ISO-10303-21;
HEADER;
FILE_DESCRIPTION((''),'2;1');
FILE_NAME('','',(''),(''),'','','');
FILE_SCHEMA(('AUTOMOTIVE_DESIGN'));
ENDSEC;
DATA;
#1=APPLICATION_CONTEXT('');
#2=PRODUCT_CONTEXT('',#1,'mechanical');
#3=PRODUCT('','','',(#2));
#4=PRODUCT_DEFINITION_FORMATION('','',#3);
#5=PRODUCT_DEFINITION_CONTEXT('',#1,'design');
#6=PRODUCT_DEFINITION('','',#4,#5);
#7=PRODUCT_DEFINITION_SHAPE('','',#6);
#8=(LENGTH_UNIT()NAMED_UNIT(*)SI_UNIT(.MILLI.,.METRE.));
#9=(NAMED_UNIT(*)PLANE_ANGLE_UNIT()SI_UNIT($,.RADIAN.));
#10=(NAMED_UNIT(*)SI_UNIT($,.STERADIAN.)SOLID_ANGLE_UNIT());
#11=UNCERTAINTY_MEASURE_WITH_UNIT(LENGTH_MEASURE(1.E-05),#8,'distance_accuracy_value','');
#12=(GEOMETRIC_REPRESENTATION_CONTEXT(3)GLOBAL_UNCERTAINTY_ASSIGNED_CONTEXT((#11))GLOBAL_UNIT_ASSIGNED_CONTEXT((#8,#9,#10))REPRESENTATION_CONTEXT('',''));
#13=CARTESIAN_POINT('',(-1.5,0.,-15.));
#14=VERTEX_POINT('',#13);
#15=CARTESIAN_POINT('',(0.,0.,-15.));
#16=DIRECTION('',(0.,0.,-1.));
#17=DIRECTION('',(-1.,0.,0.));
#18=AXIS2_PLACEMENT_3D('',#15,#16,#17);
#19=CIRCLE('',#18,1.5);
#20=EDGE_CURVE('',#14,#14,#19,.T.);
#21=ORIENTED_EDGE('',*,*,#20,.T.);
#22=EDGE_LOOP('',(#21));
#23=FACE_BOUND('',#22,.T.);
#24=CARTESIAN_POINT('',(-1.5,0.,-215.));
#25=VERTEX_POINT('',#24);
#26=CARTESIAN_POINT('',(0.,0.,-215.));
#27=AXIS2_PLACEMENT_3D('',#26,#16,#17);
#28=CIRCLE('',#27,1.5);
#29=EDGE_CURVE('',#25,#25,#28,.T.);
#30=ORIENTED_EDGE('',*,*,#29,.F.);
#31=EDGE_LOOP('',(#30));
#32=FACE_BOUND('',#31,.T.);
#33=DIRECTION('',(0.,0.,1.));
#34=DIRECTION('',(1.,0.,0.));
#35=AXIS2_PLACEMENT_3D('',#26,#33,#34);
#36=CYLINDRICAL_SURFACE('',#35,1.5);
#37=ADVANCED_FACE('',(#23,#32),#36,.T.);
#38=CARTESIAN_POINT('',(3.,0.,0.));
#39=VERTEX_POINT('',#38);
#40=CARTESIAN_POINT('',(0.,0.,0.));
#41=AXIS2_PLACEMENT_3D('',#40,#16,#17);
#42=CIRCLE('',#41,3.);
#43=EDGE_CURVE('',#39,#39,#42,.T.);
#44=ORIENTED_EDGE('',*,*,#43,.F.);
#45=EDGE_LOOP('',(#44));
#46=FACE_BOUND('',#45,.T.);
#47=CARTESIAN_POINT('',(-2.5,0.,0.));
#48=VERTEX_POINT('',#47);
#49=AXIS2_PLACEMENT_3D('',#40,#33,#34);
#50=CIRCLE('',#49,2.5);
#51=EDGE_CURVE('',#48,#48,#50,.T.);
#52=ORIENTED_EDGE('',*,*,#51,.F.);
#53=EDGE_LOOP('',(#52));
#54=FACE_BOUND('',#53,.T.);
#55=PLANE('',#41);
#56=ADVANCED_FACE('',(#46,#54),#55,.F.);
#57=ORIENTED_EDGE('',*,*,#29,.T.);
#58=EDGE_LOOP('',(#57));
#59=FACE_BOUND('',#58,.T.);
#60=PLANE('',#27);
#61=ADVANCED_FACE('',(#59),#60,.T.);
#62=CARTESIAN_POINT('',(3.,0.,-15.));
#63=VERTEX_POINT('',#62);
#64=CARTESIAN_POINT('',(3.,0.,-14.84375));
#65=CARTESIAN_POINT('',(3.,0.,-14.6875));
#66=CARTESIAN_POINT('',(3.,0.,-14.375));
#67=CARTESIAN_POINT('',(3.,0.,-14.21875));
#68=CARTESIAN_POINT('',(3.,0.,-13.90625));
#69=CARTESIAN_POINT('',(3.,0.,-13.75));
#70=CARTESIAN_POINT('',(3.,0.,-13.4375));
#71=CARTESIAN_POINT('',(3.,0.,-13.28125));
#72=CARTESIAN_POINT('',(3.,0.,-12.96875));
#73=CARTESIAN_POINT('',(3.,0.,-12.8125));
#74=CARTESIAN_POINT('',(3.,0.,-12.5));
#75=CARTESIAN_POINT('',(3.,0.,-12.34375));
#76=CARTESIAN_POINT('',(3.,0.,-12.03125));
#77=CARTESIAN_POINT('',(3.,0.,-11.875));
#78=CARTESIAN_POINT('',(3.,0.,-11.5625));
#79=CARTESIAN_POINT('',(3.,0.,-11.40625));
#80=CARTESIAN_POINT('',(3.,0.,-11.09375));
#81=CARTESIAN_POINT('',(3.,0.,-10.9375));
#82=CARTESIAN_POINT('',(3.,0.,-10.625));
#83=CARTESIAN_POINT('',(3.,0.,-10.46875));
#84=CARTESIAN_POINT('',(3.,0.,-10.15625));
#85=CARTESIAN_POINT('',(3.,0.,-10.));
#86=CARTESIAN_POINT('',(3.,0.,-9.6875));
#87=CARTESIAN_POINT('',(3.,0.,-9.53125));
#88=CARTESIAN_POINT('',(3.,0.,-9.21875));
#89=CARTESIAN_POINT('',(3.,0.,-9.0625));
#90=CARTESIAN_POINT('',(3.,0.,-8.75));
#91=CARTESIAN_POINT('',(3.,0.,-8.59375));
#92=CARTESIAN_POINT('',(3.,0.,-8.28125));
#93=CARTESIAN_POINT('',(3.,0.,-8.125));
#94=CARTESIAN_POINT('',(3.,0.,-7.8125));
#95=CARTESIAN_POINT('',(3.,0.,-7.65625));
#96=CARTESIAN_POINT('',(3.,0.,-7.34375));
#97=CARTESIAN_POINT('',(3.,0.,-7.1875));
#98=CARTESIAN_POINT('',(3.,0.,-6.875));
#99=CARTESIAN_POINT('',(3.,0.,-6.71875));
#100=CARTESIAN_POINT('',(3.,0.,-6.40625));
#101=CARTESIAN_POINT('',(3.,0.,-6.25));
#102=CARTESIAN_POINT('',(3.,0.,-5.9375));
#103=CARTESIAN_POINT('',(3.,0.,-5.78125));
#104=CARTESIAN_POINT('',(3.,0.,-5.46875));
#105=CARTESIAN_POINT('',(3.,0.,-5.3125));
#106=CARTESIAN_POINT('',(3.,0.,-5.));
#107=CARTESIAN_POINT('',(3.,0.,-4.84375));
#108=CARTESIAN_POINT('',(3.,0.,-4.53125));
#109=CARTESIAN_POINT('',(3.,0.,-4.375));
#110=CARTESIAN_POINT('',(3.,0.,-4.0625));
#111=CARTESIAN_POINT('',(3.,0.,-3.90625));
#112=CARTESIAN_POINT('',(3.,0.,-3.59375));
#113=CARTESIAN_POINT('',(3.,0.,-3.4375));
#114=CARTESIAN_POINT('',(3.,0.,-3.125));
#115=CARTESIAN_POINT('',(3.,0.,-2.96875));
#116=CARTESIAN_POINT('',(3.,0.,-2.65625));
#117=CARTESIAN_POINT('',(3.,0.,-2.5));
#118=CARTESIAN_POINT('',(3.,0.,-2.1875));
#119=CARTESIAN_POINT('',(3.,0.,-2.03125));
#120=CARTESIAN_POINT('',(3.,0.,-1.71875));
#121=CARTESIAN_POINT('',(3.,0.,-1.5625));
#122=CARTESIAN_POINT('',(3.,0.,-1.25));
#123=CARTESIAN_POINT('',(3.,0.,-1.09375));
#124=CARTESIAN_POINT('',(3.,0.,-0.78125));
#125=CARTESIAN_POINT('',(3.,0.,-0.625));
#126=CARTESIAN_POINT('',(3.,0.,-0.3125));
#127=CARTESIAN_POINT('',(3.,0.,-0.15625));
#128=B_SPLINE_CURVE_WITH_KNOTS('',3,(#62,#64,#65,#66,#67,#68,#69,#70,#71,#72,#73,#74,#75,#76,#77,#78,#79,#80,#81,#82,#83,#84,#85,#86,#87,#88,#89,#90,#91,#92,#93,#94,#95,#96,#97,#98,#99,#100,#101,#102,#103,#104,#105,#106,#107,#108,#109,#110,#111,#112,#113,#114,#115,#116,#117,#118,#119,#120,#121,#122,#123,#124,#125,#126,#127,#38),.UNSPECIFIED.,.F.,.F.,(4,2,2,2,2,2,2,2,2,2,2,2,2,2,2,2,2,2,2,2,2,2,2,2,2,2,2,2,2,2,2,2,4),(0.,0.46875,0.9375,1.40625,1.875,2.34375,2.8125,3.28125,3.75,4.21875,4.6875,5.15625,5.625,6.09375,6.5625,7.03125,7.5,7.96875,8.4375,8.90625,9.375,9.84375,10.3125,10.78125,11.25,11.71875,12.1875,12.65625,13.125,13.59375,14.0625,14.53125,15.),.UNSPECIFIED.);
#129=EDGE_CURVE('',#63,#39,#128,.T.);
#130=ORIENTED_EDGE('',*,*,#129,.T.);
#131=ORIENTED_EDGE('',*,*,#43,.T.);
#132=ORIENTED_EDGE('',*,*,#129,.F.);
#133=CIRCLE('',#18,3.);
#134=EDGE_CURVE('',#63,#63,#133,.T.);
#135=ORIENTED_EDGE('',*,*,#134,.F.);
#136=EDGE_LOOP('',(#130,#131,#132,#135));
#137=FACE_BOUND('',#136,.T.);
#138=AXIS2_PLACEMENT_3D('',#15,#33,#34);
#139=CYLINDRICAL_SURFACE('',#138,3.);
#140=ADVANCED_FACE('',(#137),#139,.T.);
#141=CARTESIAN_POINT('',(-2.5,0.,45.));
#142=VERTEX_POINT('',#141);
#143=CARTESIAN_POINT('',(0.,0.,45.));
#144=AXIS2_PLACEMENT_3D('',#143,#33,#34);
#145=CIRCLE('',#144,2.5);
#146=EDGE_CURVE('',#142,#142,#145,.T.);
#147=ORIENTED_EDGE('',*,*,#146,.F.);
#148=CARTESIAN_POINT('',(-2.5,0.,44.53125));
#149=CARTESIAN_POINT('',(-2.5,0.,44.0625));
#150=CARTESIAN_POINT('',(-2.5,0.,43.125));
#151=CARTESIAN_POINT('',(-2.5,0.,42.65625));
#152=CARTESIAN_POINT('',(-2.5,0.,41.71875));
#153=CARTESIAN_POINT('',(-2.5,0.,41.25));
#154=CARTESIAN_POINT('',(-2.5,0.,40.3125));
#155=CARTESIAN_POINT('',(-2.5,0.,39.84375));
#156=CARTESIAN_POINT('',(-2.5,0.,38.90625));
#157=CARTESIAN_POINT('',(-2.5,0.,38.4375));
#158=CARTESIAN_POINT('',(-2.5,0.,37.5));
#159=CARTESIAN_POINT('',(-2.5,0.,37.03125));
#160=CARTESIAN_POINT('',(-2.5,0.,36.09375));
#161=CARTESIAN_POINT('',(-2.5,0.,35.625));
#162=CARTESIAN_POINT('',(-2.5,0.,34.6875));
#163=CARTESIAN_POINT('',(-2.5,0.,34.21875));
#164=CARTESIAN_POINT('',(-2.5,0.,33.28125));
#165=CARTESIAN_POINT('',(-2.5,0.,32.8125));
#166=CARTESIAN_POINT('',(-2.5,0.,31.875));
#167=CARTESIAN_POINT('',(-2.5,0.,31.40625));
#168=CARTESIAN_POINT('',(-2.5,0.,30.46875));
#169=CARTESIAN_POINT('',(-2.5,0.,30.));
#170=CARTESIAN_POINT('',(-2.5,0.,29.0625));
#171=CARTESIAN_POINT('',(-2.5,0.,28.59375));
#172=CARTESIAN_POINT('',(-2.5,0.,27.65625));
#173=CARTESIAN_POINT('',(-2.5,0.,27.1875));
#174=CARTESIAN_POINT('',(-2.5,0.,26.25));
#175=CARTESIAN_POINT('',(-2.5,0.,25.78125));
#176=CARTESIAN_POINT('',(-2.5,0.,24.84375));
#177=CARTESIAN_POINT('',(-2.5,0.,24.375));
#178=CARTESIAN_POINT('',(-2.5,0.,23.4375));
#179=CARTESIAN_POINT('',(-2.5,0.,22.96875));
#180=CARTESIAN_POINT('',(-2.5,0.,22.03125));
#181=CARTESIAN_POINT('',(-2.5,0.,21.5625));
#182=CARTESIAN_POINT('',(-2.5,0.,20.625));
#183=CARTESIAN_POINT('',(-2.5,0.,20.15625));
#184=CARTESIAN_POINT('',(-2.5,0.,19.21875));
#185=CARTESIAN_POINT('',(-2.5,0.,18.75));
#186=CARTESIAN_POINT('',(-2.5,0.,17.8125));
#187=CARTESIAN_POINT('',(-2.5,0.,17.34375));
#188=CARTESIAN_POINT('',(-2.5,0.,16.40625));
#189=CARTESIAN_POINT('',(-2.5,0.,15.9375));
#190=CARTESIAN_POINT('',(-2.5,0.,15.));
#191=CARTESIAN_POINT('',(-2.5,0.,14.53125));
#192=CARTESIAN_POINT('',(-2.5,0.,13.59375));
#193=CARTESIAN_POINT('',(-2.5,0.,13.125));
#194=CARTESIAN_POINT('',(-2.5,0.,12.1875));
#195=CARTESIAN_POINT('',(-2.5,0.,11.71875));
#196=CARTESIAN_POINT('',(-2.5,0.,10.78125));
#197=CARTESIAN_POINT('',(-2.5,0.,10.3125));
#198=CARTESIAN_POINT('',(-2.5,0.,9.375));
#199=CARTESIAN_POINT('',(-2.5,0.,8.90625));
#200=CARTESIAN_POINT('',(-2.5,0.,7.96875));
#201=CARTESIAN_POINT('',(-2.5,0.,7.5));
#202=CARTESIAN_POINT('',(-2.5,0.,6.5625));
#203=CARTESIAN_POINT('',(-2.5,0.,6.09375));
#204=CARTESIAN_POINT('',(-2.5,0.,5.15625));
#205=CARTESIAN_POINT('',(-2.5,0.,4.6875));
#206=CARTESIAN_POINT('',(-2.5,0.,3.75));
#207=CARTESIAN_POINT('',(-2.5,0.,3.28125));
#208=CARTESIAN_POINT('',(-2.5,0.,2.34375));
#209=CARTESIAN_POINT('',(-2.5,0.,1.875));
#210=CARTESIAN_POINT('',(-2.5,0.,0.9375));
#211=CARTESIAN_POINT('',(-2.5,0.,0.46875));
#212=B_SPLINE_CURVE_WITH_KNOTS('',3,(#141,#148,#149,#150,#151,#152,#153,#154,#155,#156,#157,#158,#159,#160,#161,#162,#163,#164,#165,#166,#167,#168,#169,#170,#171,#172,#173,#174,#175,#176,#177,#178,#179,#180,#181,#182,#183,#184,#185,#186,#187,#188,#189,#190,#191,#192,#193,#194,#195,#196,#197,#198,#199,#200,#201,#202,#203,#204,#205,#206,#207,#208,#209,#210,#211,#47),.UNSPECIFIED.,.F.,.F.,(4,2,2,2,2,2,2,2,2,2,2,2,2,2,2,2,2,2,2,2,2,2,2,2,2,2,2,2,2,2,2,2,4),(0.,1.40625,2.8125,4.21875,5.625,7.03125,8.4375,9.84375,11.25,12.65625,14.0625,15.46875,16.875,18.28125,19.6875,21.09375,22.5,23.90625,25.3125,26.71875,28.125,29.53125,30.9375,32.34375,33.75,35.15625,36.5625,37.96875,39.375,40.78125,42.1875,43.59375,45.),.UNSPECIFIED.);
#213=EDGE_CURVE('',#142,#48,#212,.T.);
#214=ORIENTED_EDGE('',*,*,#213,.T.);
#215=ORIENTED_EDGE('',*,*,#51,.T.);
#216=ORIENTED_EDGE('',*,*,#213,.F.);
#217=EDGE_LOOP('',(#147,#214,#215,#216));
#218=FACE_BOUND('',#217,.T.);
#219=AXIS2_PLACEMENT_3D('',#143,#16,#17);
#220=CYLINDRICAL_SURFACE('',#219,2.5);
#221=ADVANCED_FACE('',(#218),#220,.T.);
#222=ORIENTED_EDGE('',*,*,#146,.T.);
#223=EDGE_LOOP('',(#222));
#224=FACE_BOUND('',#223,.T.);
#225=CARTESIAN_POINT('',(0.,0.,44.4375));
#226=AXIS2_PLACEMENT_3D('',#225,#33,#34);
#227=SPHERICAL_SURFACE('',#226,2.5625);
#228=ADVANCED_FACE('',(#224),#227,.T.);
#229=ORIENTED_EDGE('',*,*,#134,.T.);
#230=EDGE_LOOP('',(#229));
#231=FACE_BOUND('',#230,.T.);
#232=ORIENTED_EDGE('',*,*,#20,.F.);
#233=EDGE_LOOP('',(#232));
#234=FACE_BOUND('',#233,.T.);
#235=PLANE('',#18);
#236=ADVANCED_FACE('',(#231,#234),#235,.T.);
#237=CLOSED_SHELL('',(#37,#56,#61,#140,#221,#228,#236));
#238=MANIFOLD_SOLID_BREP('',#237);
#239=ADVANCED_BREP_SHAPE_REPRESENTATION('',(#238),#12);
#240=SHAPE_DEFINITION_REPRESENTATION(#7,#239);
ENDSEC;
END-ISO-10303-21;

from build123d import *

# Parameters (mm, degrees)
ESQUISSE1_R        = 2.5
BOSS_EXTRU_1_DEPTH = 45
D_ME1_FACE_RADIUS  = 2.5
D_ME1_HEIGHT       = 2
ESQUISSE2_R        = 3
BOSS_EXTRU_2_DEPTH = 15
ESQUISSE3_R        = 1.5
BOSS_EXTRU_3_DEPTH = 200


with BuildPart() as part:
    # Esquisse1 → Boss.-Extru.1 (new body)
    with BuildSketch(Plane.XY):
        with Locations(Location((0, 0, 0), (0, 0, 180))):
            Circle(ESQUISSE1_R)
    extrude(amount=BOSS_EXTRU_1_DEPTH)

    # Dôme1: a dome of height H over a round flat face of radius A is a cap of a sphere of radius (A * A + H * H) / (2 * H)
    d_me1_r = (D_ME1_FACE_RADIUS * D_ME1_FACE_RADIUS + D_ME1_HEIGHT * D_ME1_HEIGHT) / (2 * D_ME1_HEIGHT)
    d_me1_base = Plane((0, 0, 45), z_dir=(0, 0, 1))
    with Locations(d_me1_base.offset(D_ME1_HEIGHT - d_me1_r)):
        d_me1_ball = Sphere(d_me1_r, mode=Mode.PRIVATE)
    add(split(d_me1_ball, bisect_by=d_me1_base, keep=Keep.TOP, mode=Mode.PRIVATE))

    # Esquisse2 → Boss.-Extru.2 (add)
    with BuildSketch(Plane(origin=(0, 0, 0), x_dir=(-1, 0, 0), z_dir=(0, 0, -1))):
        with Locations(Location((0, 0, 0), (0, 0, 180))):
            Circle(ESQUISSE2_R)
    extrude(amount=BOSS_EXTRU_2_DEPTH)

    # Esquisse3 → Boss.-Extru.3 (add)
    with BuildSketch(Plane(origin=(0, 0, -15), x_dir=(-1, 0, 0), z_dir=(0, 0, -1))):
        Circle(ESQUISSE3_R)
    extrude(amount=BOSS_EXTRU_3_DEPTH)


solid = part.part
